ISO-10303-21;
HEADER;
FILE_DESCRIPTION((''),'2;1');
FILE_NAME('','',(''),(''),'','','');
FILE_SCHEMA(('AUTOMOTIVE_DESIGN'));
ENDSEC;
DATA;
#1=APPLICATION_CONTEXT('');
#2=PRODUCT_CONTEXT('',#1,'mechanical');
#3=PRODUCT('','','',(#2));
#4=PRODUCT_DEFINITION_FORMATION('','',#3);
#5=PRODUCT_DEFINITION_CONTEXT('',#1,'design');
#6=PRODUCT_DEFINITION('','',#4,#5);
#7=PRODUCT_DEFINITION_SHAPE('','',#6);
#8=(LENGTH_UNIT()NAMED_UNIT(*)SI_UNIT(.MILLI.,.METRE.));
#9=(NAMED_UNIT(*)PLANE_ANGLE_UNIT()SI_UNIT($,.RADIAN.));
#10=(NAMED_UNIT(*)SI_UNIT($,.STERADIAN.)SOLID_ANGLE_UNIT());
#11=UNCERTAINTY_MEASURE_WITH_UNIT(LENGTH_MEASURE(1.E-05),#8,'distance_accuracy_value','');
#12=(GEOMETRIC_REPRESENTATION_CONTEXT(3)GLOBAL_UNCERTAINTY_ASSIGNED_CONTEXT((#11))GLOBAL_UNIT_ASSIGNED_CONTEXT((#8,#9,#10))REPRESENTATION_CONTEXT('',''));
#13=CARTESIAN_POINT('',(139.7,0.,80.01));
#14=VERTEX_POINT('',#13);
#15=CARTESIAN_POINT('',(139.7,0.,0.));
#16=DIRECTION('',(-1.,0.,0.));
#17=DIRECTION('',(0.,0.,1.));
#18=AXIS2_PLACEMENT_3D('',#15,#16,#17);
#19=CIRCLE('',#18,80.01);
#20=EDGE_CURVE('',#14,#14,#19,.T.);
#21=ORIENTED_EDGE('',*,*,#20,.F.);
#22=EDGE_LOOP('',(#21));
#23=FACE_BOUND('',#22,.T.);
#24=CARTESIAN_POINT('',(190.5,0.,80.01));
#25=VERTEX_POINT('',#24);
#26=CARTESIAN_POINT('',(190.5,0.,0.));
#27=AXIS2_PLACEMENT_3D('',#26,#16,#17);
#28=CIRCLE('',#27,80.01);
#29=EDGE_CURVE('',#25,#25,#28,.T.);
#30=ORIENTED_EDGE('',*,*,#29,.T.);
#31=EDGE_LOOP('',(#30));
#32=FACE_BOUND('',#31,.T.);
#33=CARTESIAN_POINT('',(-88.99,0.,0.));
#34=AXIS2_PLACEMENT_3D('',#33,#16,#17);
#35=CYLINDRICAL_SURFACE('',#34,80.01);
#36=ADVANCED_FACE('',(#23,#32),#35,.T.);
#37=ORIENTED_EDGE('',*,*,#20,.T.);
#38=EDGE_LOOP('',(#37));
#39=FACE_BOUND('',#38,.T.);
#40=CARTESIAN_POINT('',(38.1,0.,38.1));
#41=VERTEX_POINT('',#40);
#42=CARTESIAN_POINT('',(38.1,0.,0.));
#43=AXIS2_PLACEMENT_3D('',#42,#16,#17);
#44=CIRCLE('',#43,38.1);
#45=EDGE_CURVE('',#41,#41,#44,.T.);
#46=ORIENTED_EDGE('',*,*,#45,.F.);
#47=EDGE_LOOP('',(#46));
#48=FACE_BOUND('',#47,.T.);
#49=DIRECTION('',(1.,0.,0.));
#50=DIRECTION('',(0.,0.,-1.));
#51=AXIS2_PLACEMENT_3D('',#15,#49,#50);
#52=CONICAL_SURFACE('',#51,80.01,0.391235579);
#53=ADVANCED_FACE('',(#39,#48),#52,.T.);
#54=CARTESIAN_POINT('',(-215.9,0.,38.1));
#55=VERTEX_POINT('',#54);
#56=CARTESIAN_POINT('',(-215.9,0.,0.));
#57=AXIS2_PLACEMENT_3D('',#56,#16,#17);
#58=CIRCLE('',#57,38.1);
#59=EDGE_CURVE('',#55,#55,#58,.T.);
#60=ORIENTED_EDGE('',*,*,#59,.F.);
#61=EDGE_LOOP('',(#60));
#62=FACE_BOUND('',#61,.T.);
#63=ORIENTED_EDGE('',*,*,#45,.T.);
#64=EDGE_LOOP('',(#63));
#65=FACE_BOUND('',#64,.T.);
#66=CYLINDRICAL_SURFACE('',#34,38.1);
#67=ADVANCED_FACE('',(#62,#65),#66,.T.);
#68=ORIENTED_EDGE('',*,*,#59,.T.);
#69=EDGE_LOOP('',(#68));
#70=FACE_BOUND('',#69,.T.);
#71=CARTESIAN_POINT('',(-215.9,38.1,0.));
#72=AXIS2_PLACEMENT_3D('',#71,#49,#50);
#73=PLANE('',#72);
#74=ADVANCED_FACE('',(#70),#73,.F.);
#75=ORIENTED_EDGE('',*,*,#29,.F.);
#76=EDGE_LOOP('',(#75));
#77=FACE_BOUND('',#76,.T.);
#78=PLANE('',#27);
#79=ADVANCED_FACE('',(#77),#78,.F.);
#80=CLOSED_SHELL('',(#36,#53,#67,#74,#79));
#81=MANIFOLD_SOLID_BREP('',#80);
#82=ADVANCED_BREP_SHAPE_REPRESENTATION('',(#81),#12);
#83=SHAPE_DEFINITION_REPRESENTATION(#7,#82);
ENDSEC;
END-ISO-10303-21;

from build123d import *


with BuildPart() as part:
    # Sketch1 → Revolve1 (revolve)
    with BuildSketch(Plane.XY):
        Polygon((190.5, 0), (190.5, 80.01), (139.7, 80.01), (38.1, 38.1), (-215.9, 38.1), (-215.9, 0), align=None)
    revolve(axis=Axis((-88.99, 0, 0), (1, 0, 0)))


solid = part.part
